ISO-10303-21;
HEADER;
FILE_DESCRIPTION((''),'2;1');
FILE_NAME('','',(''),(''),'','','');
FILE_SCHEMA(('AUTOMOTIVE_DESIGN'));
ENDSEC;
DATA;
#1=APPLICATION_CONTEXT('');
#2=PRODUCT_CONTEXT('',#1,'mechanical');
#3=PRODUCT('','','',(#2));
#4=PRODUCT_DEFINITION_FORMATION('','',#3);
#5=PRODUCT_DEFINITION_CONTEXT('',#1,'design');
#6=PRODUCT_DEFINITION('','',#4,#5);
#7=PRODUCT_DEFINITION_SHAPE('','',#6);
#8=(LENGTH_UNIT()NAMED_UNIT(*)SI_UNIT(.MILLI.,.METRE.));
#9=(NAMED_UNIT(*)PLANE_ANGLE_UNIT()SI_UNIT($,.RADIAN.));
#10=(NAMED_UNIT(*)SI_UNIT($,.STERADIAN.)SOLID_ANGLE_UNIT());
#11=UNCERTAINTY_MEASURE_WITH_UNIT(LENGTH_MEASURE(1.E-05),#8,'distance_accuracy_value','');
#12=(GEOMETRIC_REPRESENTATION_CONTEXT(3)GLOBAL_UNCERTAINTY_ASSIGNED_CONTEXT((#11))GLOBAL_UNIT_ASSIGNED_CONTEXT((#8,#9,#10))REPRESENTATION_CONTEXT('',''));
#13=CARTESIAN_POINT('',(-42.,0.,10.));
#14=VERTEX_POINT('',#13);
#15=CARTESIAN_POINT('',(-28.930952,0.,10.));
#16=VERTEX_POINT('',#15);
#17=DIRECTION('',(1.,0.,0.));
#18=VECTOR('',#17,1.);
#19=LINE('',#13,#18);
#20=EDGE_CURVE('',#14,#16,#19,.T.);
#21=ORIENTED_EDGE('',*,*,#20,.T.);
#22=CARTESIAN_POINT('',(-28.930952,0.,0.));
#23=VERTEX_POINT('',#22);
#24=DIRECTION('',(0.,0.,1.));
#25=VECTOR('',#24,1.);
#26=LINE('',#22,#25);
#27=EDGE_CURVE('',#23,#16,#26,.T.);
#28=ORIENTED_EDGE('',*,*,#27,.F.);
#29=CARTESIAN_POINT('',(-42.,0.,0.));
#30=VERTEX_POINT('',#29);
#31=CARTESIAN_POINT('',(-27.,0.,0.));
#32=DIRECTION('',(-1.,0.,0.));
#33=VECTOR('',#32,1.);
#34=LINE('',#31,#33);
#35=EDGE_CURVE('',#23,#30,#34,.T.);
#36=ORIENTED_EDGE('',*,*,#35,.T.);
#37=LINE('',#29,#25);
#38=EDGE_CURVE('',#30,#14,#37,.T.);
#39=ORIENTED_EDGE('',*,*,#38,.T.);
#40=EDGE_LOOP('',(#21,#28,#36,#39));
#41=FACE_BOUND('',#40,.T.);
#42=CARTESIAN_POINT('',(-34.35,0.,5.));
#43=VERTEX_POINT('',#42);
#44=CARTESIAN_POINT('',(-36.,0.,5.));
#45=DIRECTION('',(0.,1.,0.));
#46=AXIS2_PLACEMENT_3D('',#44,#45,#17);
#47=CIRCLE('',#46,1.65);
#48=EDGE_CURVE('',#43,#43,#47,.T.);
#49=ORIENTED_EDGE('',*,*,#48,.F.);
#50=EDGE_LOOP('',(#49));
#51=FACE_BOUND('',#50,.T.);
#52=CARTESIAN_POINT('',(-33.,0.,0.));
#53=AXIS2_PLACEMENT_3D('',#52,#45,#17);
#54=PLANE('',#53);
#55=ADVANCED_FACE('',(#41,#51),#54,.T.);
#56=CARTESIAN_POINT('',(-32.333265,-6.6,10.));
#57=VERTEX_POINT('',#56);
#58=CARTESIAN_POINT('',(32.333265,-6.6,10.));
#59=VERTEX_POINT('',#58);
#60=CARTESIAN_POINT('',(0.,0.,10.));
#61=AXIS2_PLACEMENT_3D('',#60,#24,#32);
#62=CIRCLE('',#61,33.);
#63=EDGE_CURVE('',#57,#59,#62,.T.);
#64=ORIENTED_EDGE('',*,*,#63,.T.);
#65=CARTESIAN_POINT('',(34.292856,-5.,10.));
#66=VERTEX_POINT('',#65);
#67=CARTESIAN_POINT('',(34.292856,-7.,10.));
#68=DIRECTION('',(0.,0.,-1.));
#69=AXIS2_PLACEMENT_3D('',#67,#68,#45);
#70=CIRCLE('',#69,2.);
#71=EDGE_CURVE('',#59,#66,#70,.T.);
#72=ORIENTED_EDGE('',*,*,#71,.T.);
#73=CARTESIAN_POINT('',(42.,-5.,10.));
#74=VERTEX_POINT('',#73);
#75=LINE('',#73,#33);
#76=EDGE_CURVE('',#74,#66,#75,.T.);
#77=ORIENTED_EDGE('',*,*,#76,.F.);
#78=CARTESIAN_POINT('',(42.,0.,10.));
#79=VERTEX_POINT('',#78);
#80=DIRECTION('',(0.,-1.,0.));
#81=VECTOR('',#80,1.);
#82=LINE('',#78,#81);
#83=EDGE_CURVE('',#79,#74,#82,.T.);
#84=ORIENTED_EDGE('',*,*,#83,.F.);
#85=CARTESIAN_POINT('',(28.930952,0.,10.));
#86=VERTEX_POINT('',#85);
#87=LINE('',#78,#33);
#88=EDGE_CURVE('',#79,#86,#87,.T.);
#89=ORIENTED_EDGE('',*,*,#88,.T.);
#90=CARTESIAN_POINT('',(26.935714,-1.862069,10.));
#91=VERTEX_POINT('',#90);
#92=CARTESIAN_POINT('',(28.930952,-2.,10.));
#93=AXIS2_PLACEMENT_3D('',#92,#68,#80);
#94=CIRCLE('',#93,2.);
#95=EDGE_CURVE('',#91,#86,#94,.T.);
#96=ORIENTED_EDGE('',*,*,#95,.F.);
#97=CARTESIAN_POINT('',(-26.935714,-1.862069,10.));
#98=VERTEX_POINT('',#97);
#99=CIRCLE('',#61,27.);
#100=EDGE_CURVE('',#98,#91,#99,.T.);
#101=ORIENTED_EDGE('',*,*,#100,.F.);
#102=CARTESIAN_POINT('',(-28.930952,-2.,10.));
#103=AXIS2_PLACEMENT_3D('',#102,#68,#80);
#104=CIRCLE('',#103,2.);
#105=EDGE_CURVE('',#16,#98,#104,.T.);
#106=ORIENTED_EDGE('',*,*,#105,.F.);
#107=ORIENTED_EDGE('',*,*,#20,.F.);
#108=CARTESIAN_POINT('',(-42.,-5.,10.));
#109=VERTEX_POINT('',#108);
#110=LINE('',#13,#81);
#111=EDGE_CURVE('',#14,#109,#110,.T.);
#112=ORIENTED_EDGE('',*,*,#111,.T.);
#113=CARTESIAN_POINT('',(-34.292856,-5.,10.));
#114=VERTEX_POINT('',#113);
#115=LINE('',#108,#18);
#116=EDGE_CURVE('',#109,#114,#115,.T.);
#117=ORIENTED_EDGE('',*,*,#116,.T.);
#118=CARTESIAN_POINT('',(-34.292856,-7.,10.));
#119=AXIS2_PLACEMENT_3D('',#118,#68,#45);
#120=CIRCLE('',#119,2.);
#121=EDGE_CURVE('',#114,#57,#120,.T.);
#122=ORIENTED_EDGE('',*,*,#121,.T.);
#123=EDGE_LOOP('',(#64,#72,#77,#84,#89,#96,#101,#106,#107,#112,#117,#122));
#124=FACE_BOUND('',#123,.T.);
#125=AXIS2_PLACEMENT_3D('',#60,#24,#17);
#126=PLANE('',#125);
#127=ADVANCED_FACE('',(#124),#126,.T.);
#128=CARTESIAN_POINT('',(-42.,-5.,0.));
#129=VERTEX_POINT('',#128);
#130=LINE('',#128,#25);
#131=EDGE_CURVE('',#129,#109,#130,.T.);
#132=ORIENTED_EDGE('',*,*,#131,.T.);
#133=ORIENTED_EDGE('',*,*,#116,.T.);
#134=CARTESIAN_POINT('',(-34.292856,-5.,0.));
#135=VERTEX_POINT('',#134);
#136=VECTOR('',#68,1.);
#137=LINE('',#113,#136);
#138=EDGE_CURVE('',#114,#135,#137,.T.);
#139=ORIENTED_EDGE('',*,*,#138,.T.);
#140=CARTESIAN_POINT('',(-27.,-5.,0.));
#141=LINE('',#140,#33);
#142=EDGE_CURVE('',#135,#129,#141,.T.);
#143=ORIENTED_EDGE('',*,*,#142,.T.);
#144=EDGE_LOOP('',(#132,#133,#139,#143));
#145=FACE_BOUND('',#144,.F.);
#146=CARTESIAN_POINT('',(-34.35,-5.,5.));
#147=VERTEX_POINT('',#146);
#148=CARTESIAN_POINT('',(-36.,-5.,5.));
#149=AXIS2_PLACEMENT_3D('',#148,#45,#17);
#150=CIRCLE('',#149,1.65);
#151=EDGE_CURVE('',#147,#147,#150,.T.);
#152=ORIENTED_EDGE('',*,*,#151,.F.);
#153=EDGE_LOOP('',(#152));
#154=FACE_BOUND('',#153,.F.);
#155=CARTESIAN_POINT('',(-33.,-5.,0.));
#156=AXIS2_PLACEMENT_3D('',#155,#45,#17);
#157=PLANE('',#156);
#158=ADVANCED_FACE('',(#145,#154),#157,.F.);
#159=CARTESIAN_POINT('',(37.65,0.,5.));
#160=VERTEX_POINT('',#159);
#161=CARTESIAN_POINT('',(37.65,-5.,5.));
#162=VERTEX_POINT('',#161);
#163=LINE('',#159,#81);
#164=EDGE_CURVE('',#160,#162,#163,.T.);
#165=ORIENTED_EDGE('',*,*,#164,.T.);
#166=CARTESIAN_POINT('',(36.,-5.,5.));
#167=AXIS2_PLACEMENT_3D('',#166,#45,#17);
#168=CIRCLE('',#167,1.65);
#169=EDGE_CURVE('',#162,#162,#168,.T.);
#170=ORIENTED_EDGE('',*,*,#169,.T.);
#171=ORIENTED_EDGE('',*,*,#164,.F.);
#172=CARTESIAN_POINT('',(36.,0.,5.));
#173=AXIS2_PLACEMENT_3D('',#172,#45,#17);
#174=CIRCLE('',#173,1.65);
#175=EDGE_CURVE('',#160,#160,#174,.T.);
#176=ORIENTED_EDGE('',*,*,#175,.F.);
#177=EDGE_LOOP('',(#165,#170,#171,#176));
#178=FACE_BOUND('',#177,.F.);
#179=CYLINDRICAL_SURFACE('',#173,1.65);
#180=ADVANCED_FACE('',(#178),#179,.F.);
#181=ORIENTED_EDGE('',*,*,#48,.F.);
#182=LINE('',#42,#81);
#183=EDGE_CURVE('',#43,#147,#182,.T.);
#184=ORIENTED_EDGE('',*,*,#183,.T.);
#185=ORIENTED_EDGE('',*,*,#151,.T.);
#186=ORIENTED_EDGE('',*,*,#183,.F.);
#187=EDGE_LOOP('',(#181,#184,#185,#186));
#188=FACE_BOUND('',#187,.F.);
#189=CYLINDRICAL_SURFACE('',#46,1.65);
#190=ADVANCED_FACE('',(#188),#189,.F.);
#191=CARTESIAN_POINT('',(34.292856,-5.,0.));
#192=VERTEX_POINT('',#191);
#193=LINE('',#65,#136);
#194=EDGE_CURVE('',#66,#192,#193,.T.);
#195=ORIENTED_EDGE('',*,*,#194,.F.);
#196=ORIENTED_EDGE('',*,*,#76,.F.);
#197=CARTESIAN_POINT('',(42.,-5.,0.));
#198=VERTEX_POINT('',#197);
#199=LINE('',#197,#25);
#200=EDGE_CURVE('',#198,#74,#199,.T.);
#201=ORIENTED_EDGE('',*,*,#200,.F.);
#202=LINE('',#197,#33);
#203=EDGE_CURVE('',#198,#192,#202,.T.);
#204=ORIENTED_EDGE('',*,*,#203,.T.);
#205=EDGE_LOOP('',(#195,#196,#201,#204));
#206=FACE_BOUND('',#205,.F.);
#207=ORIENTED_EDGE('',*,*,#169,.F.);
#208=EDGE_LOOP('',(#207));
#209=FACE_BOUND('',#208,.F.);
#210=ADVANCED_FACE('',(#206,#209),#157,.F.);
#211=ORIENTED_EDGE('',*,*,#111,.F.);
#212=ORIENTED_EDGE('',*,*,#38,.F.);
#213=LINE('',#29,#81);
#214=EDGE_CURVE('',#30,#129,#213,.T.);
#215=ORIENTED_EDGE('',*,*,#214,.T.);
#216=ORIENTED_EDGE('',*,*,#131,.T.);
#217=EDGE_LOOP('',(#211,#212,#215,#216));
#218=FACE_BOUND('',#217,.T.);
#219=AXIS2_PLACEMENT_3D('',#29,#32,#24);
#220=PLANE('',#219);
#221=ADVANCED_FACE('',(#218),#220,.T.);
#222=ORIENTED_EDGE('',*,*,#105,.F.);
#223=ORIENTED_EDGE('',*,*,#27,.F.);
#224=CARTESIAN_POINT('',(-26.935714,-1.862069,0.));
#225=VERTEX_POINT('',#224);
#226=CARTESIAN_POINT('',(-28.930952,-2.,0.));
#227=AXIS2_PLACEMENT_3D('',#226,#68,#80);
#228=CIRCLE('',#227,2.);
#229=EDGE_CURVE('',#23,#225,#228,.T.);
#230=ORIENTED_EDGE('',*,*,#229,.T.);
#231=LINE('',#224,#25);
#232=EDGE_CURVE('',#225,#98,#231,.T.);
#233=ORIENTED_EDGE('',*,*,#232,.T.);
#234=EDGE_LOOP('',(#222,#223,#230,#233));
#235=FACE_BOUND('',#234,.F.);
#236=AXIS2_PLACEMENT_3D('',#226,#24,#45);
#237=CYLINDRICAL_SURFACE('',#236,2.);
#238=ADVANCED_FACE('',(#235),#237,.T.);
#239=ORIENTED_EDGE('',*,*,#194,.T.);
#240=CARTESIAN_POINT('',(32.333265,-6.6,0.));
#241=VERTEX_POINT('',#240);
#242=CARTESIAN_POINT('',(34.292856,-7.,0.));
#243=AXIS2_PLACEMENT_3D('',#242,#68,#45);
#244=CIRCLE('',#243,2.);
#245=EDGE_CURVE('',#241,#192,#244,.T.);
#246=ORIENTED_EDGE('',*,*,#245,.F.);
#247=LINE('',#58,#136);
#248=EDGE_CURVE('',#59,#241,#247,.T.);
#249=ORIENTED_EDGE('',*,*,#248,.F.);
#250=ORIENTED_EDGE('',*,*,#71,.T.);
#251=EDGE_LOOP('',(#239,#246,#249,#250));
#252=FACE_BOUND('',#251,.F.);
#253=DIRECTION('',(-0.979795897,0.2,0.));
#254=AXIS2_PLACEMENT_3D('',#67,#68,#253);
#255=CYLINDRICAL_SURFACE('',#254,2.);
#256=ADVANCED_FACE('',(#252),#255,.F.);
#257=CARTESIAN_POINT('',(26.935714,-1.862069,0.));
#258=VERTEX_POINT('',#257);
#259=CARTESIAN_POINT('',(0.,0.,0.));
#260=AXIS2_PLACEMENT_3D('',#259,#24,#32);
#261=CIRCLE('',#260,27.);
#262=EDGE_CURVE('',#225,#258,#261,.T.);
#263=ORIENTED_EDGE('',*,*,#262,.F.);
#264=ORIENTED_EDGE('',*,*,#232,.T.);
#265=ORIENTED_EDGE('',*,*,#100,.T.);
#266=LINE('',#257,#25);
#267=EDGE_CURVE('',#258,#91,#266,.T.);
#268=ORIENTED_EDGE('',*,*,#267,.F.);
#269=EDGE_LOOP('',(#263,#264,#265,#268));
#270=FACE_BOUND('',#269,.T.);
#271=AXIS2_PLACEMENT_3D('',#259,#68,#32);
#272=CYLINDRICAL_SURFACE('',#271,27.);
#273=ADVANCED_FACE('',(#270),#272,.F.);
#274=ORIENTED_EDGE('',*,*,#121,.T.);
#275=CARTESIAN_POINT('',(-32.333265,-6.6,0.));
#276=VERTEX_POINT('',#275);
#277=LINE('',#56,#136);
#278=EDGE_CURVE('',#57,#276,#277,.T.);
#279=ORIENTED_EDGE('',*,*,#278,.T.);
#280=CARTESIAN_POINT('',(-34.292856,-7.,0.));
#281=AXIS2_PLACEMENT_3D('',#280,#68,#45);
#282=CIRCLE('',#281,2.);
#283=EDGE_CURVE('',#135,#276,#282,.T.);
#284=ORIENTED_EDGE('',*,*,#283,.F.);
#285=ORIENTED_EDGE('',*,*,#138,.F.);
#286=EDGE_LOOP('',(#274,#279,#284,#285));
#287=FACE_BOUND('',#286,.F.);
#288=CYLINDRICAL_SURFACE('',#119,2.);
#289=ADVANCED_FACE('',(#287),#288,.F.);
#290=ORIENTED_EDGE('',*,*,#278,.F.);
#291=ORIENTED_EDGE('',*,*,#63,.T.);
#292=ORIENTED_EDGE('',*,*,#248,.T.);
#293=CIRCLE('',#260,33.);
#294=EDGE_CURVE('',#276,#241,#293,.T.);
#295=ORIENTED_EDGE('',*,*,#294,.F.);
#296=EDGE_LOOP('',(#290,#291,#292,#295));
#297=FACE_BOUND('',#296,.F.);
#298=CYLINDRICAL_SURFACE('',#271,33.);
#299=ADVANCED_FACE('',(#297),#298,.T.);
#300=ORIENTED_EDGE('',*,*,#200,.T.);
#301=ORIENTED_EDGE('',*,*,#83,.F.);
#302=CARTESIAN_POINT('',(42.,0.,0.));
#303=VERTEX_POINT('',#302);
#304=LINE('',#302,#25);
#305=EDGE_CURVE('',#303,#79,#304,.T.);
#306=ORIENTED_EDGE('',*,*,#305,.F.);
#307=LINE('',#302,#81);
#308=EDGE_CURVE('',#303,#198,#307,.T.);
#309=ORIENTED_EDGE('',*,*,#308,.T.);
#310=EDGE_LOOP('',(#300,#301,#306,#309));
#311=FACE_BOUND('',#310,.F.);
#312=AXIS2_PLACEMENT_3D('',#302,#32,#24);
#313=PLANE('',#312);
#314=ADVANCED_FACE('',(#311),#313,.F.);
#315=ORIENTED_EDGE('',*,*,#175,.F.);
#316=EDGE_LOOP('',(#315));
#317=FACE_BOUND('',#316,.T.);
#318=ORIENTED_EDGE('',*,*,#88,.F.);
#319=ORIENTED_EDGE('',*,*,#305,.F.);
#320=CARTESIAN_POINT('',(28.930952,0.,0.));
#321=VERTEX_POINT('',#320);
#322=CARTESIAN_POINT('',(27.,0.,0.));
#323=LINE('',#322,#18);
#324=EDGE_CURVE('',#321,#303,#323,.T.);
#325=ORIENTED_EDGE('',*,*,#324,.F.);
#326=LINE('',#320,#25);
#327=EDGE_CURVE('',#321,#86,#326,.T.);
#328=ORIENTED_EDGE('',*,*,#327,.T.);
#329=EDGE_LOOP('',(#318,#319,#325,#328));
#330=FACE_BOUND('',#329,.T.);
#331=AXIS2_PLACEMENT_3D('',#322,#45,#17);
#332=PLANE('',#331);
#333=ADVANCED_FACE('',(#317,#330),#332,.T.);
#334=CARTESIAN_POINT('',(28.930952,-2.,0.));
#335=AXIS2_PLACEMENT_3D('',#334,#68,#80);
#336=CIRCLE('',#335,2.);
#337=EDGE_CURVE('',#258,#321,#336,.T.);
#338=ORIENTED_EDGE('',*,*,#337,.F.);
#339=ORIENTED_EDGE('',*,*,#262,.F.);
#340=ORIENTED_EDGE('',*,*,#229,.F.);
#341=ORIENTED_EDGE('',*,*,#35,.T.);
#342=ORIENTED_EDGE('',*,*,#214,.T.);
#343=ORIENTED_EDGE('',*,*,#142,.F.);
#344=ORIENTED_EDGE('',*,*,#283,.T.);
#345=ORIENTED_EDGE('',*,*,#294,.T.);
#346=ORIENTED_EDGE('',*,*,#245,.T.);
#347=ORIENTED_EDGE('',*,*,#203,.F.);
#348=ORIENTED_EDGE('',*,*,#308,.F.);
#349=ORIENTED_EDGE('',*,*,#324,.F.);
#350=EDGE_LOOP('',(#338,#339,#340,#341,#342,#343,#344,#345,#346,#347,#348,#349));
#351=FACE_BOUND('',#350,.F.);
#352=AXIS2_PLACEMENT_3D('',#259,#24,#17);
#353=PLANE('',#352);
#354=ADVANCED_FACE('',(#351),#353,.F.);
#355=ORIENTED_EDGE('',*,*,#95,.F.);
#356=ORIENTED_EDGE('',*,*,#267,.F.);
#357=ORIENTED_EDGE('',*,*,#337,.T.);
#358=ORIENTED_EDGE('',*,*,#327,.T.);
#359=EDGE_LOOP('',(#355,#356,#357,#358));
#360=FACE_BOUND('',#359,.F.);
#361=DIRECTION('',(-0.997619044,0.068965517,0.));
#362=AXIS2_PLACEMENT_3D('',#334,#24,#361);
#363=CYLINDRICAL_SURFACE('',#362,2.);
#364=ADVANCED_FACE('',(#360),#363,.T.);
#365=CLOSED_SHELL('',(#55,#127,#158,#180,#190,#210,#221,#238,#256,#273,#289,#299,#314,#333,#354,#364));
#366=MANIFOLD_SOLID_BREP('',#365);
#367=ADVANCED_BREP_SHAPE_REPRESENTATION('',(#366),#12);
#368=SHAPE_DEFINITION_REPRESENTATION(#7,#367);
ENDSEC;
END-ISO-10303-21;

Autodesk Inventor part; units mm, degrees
ref_plane "YZ Plane" through (0, 0, 0) normal (1, 0, 0) x (0, 1, 0)
ref_plane "XZ Plane" through (0, 0, 0) normal (0, 1, 0) x (-1, 0, 0)
ref_plane "XY Plane" through (0, 0, 0) normal (0, 0, 1) x (1, 0, 0)
sketch "Sketch1" plane through (0, 0, 0) normal (0, 0, 1) x (1, 0, 0)
  arc A0 (-33, 0) -> (33, 0) centre (0, 0) ccw
  arc A1 (-27, 0) -> (27, 0) centre (0, 0) ccw
  line L0 (-33, 0) -> (-27, 0)
  line L1 (27, 0) -> (33, 0)
  dimension "d0" = 66
  dimension "d1" = 54
extrude "Extrusion1" add sketch "Sketch1" along normal blind 10
sketch "Sketch2" plane through (-33, 0, 0) normal (0, 1, 0) x (1, 0, 0)
  line L0 (6, 0) -> (6, -10) projected
  line L1 (6, 0) -> (-9, 0)
  line L2 (-9, 0) -> (-9, -10)
  line L3 (-9, -10) -> (6, -10)
  line L4 (6, -10) -> (6, 0)
  line L5 (66, 0) -> (60, 0) projected
  line L6 (60, 0) -> (75, 0)
  line L7 (75, 0) -> (75, -10)
  line L8 (75, -10) -> (60, -10)
  line L9 (60, -10) -> (60, 0)
  point P0 (33, 0)
  dimension "d4" = 15
extrude "Extrusion2" add sketch "Sketch2" against normal blind 5
sketch "Sketch3" plane through (-27, 0, 10) normal (0, 1, 0) x (1, 0, 0)
  circle A0 centre (-9, 5) radius 1.65
  circle A1 centre (63, 5) radius 1.65
  line L0 (0, 10) -> (-15, 10) projected
  line L1 (-15, 10) -> (-15, 0) projected
  line L2 (69, 10) -> (54, 10) projected
  line L3 (69, 0) -> (69, 10) projected
  point P0 (27, 10)
  dimension "d7" = 5
  dimension "d8" = 6
  dimension "d9" = 5
  dimension "d10" = 6
  dimension "d11" = 3.3
extrude "Extrusion3" cut sketch "Sketch3" against normal blind 5
fillet "Fillet1" radius 2 4 edges at (-27, 0, 5) (-32.619, -5, 5) (32.619, -5, 5) (27, 0, 5)
properties part number "22010B_Tube End Support_V2" material "ABS Plastic"
